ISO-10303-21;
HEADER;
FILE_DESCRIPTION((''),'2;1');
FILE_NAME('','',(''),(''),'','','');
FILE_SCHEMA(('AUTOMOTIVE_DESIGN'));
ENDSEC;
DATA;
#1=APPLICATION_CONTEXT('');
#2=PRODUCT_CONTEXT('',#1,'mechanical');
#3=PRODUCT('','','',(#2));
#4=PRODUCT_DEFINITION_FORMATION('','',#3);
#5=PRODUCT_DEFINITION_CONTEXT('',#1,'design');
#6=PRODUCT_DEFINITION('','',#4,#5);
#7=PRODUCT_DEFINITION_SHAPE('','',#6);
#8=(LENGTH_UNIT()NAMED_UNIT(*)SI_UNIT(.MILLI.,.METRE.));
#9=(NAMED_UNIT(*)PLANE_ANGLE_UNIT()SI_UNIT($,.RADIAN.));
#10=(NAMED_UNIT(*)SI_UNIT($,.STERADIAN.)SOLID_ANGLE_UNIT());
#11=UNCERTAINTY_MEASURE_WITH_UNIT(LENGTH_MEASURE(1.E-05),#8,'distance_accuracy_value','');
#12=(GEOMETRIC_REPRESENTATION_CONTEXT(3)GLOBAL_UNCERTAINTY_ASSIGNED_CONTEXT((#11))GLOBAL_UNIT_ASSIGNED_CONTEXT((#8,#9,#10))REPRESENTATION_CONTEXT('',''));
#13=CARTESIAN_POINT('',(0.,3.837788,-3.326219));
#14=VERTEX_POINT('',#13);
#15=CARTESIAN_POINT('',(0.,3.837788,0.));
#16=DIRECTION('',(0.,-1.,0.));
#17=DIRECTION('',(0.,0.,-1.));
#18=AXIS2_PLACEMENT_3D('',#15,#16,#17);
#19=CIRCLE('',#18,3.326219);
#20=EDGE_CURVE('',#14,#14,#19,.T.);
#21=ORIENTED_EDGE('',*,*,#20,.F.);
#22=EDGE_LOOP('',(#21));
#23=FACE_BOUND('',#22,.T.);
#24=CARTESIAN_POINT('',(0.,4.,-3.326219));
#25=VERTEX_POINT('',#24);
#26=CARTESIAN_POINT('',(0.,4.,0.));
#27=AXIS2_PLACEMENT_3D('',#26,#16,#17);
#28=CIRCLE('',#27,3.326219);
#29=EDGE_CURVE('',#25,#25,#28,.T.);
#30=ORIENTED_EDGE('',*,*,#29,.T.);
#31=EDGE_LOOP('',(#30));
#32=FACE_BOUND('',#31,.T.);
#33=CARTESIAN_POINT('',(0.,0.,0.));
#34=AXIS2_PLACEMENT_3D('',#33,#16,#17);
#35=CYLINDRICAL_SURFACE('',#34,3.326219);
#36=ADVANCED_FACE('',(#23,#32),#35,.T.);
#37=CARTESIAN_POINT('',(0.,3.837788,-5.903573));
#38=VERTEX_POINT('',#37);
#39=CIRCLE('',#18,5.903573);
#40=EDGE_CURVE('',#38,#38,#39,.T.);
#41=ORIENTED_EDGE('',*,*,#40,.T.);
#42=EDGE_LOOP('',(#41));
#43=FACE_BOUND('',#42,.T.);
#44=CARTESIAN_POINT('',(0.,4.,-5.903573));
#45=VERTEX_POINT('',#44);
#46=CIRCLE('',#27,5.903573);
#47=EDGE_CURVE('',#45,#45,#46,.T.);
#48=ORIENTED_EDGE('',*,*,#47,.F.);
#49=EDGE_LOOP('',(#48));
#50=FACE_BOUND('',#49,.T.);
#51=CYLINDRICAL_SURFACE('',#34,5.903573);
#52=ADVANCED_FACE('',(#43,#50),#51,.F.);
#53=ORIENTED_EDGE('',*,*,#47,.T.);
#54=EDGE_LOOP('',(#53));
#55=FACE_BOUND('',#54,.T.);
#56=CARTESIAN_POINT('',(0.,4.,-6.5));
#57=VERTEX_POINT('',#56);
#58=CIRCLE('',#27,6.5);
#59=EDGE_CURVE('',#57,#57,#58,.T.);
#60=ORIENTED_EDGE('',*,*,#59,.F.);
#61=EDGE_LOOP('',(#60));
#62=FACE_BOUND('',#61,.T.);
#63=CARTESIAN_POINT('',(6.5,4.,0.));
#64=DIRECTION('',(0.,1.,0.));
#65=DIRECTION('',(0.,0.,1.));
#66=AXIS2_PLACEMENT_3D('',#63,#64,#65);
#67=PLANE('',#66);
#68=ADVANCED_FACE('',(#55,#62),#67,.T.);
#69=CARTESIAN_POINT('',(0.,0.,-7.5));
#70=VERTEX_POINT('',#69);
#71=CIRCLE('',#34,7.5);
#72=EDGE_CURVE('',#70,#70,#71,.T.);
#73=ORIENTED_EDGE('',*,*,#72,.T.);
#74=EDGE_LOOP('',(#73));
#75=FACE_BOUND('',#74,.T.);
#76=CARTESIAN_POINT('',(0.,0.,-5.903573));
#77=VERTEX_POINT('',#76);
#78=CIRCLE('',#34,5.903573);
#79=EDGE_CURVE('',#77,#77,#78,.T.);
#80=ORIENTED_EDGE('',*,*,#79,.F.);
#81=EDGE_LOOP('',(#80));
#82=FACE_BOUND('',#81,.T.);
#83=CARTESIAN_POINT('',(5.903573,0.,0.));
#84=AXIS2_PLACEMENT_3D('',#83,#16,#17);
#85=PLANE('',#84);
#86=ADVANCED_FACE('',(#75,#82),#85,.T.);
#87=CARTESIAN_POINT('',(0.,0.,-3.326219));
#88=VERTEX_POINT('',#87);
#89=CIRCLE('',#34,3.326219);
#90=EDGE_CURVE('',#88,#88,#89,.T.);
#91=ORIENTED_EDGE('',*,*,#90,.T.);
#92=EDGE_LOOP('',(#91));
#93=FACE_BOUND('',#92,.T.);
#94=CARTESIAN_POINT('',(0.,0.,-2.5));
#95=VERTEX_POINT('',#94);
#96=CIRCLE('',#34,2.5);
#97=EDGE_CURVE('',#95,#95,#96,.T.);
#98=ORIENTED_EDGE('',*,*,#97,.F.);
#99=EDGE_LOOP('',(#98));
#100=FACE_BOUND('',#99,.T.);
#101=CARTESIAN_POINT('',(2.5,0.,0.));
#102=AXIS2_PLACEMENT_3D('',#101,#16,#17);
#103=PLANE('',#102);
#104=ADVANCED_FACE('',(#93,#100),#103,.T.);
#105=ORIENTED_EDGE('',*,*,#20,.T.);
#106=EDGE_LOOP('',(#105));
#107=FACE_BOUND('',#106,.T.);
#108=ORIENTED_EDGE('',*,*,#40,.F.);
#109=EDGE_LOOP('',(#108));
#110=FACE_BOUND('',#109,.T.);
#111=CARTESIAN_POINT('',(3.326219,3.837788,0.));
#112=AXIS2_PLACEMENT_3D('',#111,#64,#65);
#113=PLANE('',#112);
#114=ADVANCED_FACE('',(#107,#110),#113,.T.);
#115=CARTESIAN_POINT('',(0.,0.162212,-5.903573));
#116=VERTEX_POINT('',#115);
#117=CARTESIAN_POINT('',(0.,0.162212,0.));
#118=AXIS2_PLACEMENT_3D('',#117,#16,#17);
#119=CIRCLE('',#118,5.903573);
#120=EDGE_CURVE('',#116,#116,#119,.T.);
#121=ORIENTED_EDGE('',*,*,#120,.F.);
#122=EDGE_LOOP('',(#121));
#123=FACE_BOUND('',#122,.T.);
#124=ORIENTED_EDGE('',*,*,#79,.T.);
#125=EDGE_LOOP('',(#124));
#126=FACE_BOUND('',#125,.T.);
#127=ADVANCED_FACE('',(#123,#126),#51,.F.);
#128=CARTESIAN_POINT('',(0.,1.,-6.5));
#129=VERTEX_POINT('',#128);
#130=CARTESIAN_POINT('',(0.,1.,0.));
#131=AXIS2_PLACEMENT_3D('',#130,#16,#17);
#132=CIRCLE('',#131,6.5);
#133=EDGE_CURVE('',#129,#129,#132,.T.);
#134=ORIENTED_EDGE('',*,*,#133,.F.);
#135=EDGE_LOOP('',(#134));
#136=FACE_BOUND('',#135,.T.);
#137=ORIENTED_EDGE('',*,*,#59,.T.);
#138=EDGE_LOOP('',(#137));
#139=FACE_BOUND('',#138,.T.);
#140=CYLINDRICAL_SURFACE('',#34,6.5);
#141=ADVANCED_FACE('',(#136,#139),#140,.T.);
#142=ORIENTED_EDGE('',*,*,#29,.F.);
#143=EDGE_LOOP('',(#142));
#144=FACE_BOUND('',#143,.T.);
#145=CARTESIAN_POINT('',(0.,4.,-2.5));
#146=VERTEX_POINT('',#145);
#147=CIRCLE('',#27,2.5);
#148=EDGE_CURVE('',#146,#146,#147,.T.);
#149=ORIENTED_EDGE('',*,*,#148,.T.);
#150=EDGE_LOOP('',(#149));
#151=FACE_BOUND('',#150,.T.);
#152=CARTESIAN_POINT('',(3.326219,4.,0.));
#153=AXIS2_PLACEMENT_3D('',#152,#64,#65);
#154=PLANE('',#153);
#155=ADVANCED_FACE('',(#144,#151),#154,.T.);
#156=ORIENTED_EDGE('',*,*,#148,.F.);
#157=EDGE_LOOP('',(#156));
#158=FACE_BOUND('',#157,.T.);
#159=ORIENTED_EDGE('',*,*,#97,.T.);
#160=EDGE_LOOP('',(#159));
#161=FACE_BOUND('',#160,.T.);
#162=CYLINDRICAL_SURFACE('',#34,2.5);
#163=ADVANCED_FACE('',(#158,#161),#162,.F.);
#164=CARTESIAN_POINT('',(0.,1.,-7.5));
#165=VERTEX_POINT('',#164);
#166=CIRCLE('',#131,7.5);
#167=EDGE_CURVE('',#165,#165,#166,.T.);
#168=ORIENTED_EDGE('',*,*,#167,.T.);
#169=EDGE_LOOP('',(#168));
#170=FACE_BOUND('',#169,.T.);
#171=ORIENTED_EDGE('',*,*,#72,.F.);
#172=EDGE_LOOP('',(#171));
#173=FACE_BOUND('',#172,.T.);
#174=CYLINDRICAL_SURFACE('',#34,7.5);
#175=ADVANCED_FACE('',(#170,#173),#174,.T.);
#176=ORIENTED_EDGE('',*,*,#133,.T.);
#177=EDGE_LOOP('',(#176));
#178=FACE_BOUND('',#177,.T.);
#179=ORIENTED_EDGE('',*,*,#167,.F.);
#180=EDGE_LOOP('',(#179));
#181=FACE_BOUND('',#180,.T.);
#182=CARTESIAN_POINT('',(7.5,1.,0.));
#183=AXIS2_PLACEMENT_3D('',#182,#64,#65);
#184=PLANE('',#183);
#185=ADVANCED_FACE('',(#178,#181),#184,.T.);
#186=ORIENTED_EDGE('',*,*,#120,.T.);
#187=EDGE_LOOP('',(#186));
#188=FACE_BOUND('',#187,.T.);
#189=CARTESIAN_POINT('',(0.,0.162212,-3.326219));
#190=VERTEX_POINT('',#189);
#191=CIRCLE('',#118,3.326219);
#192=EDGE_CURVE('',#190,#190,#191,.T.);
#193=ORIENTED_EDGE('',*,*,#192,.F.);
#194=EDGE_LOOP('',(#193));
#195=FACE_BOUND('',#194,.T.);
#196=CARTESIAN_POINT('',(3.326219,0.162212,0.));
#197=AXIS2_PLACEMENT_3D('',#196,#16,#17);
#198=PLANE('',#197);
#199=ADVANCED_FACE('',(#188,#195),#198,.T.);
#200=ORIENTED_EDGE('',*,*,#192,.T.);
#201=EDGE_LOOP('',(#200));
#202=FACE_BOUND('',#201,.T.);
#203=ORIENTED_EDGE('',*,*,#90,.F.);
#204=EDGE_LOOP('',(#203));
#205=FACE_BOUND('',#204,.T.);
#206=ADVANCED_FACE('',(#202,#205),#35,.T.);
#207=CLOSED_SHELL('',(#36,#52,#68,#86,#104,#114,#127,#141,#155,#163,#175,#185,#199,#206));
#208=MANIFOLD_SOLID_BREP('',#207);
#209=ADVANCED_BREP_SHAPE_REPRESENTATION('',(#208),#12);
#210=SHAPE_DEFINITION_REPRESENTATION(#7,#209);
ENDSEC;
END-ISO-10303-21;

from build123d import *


with BuildPart() as part:
    # Sketch1 → Revolve1 (revolve)
    with BuildSketch(Plane.XY):
        Polygon((2.5, 0), (3.326219326, 0), (3.326219326, 0.162212443), (5.903572722, 0.162212443), (5.903572722, 0), (7.5, 0), (7.5, 1), (6.5, 1), (6.5, 4), (5.903572722, 4), (5.903572722, 3.837787557), (3.326219326, 3.837787557), (3.326219326, 4), (2.5, 4), align=None)
    revolve(axis=Axis((0, 0, 0), (0, 1, 0)))


solid = part.part
